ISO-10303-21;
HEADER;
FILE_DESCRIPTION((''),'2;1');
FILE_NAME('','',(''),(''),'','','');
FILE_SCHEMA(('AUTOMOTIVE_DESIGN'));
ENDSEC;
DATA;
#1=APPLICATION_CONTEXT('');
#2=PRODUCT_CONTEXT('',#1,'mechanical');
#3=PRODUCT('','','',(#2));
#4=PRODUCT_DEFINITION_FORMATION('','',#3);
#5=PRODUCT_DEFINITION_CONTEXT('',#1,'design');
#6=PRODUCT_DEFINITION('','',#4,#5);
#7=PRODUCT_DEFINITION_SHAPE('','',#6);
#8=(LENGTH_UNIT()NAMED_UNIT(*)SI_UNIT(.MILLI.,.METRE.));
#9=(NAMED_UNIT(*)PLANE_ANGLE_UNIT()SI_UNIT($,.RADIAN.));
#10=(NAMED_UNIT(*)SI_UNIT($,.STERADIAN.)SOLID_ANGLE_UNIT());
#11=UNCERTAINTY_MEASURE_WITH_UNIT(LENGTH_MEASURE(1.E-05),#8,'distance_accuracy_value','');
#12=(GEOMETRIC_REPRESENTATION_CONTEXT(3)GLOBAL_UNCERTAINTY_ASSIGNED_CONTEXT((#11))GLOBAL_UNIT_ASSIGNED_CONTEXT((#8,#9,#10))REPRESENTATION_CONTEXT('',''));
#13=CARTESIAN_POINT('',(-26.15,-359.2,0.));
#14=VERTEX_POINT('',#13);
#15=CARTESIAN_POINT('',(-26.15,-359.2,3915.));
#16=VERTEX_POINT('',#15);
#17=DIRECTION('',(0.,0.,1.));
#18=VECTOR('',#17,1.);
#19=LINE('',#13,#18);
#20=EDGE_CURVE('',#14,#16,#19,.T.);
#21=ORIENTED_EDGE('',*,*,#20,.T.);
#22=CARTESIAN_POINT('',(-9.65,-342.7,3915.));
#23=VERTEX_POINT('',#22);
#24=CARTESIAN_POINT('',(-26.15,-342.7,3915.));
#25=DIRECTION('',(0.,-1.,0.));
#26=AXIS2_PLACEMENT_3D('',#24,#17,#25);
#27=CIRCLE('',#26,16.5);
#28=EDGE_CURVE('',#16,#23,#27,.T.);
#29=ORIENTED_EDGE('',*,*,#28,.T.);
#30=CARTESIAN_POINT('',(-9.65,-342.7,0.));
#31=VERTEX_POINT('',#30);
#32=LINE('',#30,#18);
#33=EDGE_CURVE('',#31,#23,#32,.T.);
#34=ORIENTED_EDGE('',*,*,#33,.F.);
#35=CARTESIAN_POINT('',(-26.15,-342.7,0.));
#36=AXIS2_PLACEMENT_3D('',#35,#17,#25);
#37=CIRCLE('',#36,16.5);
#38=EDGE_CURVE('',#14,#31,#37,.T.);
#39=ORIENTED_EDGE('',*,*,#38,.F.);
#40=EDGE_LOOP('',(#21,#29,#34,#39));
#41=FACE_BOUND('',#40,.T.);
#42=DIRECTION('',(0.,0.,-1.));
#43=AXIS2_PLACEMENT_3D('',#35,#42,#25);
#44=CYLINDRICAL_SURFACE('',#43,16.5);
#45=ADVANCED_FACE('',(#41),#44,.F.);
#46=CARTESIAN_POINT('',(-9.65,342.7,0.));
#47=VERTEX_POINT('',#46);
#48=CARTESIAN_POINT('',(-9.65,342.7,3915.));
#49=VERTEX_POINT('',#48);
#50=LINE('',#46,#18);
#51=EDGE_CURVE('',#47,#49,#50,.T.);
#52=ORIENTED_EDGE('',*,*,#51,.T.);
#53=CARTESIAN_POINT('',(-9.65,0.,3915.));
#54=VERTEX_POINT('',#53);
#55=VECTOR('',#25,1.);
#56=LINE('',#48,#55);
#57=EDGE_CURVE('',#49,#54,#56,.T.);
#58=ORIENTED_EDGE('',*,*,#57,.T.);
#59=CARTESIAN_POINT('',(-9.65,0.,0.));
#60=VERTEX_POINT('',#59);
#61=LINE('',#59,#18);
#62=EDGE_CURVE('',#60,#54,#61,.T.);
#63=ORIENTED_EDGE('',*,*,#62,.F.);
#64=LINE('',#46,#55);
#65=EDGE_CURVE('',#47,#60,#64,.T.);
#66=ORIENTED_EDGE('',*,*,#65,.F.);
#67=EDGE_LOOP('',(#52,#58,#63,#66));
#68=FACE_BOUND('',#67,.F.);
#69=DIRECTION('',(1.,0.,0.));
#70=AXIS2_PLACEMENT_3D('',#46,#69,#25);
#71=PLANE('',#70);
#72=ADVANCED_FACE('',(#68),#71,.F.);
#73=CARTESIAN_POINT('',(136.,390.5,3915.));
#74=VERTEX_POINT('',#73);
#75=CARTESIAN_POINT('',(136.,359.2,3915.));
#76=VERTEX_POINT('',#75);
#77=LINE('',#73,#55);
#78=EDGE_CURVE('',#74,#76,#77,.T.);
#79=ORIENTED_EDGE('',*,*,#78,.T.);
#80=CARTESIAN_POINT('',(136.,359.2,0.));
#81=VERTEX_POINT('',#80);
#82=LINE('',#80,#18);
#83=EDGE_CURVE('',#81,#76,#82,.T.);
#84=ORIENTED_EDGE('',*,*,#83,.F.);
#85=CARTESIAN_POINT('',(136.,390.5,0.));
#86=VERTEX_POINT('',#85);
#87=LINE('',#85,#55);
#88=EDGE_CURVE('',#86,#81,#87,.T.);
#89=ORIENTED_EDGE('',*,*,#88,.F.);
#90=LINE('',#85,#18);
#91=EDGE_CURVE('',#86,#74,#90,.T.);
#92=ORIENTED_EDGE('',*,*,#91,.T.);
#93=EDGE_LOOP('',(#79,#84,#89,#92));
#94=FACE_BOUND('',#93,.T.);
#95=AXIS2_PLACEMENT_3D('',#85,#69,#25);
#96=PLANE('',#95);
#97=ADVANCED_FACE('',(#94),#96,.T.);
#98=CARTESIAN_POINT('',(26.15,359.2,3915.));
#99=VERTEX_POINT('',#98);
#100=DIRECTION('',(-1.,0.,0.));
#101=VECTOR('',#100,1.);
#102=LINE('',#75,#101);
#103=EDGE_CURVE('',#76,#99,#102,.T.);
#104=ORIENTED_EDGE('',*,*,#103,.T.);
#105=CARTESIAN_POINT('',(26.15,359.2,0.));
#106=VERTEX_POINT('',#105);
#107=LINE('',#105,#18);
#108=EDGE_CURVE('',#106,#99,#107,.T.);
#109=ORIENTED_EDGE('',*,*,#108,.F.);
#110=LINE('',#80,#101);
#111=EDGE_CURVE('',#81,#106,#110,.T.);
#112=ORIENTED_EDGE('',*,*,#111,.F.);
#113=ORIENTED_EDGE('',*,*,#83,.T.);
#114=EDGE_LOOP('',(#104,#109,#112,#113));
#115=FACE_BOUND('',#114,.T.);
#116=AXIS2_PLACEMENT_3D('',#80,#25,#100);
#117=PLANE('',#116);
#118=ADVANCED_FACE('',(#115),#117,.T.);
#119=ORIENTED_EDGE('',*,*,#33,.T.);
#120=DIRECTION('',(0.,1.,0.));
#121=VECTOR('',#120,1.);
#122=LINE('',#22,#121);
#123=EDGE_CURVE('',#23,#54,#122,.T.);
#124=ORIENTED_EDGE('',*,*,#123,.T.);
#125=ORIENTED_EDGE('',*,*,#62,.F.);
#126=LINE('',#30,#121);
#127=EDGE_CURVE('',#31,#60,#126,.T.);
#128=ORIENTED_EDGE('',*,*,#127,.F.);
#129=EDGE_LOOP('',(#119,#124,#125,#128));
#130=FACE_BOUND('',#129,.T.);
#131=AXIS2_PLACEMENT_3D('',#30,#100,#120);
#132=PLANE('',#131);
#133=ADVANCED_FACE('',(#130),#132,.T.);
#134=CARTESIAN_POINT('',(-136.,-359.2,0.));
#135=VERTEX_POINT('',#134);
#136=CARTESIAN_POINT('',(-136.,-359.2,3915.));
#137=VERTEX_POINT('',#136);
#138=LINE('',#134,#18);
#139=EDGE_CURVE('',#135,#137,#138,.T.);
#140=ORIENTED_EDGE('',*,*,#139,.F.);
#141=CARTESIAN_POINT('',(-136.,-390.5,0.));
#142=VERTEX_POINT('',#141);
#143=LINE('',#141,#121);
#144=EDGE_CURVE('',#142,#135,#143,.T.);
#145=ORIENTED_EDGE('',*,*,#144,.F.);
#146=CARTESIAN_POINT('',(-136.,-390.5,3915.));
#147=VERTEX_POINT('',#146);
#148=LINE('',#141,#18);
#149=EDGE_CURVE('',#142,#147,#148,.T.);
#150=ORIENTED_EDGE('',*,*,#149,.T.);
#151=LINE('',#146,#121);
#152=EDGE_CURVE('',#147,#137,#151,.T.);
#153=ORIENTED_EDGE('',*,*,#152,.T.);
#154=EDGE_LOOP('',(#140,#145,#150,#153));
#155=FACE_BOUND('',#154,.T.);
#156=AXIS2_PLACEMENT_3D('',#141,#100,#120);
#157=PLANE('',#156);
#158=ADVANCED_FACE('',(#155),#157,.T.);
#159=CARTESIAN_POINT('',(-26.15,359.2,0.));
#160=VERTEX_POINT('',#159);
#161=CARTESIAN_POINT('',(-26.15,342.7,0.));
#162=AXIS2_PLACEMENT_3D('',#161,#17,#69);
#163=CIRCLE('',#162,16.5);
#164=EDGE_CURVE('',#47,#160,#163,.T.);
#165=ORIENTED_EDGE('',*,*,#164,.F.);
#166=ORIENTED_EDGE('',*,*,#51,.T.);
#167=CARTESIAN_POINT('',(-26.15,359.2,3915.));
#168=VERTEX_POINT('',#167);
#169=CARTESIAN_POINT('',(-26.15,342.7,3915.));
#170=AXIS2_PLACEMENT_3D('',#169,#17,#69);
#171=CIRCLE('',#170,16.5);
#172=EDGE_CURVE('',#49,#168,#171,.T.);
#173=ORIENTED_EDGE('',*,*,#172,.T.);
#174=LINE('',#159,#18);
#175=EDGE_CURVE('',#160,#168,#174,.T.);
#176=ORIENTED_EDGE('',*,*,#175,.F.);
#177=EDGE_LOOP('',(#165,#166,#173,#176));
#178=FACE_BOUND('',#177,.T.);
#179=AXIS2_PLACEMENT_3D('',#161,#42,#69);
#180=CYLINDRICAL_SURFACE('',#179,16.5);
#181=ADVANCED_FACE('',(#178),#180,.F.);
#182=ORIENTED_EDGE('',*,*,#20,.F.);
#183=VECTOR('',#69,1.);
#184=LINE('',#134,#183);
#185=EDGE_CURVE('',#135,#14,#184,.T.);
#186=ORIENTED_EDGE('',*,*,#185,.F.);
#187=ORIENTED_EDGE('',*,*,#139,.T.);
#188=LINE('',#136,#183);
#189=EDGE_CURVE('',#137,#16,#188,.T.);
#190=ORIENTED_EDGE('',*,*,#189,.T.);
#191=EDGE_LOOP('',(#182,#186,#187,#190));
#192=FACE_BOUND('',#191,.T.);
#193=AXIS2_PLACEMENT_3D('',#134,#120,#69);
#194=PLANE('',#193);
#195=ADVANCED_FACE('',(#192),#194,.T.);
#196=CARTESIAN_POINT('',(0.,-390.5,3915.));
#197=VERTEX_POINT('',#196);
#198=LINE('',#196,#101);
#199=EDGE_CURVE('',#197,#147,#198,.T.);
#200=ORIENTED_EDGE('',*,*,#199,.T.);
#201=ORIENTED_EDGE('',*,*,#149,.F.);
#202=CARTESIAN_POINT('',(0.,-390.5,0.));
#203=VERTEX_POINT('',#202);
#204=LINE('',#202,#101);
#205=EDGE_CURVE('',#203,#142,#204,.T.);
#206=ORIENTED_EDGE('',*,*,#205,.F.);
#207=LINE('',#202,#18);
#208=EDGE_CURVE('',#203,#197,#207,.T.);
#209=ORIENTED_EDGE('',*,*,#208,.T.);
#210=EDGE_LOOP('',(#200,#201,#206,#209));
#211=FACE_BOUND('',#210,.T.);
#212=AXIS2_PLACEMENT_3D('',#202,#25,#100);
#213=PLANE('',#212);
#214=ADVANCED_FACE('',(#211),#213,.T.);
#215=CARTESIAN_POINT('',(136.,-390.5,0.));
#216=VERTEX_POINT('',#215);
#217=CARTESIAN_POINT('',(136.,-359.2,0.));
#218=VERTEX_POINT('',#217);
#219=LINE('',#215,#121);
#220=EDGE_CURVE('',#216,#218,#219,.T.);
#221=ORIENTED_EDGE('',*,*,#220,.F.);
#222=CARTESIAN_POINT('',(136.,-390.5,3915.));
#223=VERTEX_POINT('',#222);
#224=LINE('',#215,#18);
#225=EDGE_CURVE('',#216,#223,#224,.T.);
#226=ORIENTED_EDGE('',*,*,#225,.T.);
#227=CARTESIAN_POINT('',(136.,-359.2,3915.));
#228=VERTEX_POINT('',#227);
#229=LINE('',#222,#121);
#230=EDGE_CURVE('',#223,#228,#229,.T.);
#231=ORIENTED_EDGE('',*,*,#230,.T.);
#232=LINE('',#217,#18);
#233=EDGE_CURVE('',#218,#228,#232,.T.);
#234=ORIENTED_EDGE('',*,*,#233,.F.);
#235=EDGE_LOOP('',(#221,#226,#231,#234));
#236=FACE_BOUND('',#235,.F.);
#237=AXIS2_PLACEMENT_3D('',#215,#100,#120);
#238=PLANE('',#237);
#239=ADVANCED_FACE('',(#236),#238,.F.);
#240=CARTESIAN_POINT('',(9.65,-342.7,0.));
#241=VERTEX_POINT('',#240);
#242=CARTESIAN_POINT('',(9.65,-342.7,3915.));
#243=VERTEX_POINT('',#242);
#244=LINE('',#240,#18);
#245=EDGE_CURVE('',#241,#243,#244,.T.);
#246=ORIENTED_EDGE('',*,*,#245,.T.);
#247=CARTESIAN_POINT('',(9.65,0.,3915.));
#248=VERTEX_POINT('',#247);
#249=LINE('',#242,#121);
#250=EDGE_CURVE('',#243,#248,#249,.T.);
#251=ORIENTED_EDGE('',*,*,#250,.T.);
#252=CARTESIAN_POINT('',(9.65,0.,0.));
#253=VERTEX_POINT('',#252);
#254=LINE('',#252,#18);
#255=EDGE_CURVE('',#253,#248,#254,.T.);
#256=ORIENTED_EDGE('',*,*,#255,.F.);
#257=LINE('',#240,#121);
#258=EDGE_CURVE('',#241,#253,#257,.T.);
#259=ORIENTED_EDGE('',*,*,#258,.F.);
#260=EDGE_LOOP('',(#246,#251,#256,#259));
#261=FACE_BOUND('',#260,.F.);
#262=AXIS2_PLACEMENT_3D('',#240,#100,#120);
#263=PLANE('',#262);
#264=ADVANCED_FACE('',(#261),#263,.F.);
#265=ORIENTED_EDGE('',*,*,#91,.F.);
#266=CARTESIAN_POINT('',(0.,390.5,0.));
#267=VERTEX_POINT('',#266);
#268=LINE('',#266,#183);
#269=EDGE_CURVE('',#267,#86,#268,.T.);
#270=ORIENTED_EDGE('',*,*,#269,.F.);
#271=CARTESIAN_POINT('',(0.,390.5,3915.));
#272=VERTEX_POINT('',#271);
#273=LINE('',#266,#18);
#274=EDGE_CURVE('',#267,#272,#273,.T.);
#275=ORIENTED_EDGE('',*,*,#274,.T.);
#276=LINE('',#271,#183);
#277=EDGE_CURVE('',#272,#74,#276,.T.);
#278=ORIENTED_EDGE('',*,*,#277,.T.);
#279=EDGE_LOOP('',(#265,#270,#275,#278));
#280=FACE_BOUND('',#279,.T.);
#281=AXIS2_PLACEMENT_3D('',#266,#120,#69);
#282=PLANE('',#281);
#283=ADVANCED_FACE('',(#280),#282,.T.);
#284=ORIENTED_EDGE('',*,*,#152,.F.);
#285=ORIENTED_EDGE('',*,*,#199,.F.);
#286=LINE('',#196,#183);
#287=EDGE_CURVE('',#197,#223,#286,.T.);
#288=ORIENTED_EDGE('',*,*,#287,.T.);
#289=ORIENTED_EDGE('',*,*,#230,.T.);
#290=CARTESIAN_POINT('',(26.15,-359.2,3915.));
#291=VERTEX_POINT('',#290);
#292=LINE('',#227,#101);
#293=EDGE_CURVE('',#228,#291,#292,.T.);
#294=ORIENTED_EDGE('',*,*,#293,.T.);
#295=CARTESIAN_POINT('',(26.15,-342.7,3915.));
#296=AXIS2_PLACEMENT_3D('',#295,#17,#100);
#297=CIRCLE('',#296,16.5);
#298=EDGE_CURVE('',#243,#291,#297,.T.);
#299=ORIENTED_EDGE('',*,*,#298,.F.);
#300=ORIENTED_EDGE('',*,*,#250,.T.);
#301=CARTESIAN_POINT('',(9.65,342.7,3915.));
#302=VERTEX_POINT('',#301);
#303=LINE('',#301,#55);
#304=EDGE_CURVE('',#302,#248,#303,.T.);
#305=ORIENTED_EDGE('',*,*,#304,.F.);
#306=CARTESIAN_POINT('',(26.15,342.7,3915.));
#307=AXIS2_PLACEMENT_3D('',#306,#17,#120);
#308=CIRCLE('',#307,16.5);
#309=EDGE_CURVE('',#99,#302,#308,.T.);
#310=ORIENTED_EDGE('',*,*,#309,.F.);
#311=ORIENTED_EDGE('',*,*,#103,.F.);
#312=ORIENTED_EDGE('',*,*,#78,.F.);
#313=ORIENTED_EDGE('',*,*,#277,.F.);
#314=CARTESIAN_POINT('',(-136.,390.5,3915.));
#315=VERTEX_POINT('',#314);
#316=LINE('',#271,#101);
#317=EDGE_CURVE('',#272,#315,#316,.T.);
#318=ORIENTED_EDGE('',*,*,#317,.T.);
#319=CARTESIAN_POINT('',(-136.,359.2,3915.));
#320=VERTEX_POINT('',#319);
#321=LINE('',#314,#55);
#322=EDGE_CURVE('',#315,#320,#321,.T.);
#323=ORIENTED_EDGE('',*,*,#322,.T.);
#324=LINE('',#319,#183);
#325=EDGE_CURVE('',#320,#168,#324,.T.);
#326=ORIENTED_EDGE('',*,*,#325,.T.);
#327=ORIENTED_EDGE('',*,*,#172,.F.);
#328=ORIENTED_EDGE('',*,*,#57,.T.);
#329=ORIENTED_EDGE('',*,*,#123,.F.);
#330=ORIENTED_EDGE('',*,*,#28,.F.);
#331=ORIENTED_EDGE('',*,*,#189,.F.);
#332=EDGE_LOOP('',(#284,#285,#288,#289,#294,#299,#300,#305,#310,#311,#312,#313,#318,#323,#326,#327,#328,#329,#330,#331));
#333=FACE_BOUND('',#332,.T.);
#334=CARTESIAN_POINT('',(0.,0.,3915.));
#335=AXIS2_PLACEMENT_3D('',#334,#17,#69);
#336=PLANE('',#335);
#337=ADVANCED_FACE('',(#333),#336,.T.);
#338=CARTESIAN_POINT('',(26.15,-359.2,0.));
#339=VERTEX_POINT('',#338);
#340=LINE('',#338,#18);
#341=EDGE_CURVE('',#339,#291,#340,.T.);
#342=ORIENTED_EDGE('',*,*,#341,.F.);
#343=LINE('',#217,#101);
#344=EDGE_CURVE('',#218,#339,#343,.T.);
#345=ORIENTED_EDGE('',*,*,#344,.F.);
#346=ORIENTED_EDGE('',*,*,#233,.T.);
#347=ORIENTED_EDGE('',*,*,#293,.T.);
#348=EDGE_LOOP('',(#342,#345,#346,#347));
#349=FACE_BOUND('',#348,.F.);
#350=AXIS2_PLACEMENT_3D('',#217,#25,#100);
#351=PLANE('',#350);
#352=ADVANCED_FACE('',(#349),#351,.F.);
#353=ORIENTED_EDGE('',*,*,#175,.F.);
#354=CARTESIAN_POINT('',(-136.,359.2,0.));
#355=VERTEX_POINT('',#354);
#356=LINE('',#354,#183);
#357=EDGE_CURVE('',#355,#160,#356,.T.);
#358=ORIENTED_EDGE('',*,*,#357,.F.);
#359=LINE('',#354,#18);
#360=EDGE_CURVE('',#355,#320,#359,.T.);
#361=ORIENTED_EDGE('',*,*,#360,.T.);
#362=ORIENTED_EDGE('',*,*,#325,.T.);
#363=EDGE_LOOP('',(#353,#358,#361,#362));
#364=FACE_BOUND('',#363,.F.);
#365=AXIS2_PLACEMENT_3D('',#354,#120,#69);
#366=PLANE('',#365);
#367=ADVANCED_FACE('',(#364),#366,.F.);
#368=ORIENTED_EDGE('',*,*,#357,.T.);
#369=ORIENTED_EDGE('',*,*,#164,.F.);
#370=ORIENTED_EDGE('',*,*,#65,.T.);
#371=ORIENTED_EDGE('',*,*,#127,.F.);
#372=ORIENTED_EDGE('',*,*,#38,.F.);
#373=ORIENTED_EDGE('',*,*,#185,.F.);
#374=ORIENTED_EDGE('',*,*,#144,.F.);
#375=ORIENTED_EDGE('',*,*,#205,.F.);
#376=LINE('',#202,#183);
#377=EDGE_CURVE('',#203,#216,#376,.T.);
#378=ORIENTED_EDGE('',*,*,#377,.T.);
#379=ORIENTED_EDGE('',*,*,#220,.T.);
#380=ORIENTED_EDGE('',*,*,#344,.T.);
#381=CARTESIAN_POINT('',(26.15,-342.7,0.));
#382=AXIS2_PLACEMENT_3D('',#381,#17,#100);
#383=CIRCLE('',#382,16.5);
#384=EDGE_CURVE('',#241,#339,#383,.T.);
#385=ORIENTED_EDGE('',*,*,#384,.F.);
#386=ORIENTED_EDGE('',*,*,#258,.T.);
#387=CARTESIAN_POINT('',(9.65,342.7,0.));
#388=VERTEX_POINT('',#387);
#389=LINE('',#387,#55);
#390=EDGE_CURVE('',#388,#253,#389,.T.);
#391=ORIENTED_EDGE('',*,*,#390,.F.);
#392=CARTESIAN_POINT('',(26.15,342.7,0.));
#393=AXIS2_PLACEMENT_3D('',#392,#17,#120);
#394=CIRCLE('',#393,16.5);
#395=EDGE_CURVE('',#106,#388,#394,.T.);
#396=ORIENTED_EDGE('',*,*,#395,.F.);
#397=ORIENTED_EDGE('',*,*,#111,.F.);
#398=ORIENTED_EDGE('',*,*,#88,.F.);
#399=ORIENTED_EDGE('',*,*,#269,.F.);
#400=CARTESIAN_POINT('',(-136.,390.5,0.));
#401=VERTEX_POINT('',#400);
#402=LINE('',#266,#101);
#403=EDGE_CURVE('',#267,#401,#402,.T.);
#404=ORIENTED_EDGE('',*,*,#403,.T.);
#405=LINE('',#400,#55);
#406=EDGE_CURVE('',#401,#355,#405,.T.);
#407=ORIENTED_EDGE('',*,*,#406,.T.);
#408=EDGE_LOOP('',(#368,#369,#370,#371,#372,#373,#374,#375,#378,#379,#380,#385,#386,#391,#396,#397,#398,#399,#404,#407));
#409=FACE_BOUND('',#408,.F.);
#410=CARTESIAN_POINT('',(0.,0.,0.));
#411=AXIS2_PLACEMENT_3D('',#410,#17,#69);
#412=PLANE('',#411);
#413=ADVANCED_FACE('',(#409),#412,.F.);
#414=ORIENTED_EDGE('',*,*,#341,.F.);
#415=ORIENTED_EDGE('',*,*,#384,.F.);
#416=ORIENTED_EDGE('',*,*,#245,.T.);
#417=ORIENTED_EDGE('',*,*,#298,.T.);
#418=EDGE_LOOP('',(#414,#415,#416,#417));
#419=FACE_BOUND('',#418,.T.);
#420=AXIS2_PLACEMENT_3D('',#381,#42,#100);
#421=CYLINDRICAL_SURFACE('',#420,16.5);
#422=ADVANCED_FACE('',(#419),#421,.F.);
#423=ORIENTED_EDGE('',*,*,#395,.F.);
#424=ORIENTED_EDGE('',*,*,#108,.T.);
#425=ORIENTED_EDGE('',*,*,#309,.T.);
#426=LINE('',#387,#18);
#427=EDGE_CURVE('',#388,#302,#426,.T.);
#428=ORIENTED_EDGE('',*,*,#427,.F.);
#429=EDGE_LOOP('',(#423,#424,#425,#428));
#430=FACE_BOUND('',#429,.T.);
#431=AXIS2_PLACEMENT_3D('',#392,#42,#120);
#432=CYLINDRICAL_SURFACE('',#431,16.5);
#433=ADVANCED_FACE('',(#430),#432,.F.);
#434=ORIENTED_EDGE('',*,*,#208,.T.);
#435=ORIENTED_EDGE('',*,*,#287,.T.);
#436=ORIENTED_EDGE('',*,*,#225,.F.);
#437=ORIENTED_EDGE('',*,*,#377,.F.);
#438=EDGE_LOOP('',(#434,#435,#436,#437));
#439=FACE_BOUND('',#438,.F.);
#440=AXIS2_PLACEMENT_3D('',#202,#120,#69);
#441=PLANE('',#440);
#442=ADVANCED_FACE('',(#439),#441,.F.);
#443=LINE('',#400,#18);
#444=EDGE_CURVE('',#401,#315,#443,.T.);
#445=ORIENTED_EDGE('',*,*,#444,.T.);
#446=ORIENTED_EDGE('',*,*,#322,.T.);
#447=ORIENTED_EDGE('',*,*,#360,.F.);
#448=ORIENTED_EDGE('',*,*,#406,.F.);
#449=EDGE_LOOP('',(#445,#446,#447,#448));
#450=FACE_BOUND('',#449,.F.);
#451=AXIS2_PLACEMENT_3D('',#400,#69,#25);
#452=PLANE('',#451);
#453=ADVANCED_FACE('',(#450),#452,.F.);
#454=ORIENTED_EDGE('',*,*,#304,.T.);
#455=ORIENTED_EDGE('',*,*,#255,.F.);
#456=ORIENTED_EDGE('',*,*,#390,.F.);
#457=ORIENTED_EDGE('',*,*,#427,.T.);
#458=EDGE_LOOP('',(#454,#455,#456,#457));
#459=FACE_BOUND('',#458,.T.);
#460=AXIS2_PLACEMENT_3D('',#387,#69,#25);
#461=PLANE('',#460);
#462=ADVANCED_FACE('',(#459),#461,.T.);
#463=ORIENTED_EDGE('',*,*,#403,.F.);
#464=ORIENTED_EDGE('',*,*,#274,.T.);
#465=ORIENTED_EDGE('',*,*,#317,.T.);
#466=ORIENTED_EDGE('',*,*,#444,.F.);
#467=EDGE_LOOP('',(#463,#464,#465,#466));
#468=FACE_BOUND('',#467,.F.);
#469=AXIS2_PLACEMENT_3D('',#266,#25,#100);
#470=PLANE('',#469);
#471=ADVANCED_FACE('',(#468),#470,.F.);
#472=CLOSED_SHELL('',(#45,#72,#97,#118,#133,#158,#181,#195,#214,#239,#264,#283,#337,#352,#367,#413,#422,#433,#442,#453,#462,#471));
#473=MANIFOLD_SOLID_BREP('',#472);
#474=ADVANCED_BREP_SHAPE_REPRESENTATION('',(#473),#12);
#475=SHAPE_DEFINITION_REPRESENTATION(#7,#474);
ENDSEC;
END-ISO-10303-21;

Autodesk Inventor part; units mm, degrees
ref_plane "YZ Plane" through (0, 0, 0) normal (1, 0, 0) x (0, 1, 0)
ref_plane "Start plane" through (0, 0, 0) normal (0, 0, 1) x (1, 0, 0)
ref_plane "End plane" through (0, 0, 3915) normal (0, 0, 1) x (1, 0, 0)
sketch "Sketch" plane through (0, 0, 0) normal (0, 0, 1) x (1, 0, 0)
  line L0 (-136, -390.5) -> (-136, -359.2)
  line L1 (-136, -359.2) -> (-26.15, -359.2)
  line L2 (-9.65, -342.7) -> (-9.65, 0)
  line L3 (-9.65, 0) -> (0, 0) construction
  line L4 (0, 0) -> (0, -390.5) construction
  line L5 (0, -390.5) -> (-136, -390.5)
  line L6 (-60, 0) -> (80, 0) construction
  line L7 (0, -60) -> (0, 80) construction
  line L8 (136, -390.5) -> (136, -359.2)
  line L9 (136, -359.2) -> (26.15, -359.2)
  line L10 (9.65, -342.7) -> (9.65, 0)
  line L11 (9.65, 0) -> (0, 0) construction
  line L12 (0, -390.5) -> (136, -390.5)
  line L13 (-136, 390.5) -> (-136, 359.2)
  line L14 (-136, 359.2) -> (-26.15, 359.2)
  line L15 (-9.65, 342.7) -> (-9.65, 0)
  line L16 (0, 390.5) -> (-136, 390.5)
  line L17 (136, 390.5) -> (136, 359.2)
  line L18 (136, 359.2) -> (26.15, 359.2)
  line L19 (0, 390.5) -> (136, 390.5)
  line L20 (9.65, 342.7) -> (9.65, 0)
  arc A0 (-9.65, 342.7) -> (-26.15, 359.2) centre (-26.15, 342.7) ccw
  arc A1 (26.15, 359.2) -> (9.65, 342.7) centre (26.15, 342.7) ccw
  arc A2 (9.65, -342.7) -> (26.15, -359.2) centre (26.15, -342.7) ccw
  arc A3 (-26.15, -359.2) -> (-9.65, -342.7) centre (-26.15, -342.7) ccw
  line L21 (0, 108) -> (0, -88) construction
  line L22 (-88, 0) -> (108, 0) construction
  point P0 (-9.65, -359.2)
  point P1 (9.65, -359.2)
  point P2 (-9.65, 359.2)
  point P3 (9.65, 359.2)
  dimension "d1" = 390.5
  dimension "d2" = 31.3
  dimension "d3" = 136
  dimension "d4" = 9.65
  dimension "d10" = 16.5
extrude "Body" add sketch "Sketch" along normal up to surface (3915 mm away) from surface at 0
sketch "Sketch4" plane through (0, 0, 0) normal (0, 0, 1) x (1, 0, 0)
  line L0 (0, 0) -> (10, 0)
ref_plane "Work Plane3" through (0, 0, 0) normal (0, -1, 0) x (1, 0, 0)
sketch "Sketch5" plane through (0, 0, 0) normal (0, -1, 0) x (1, 0, 0)
  line L0 (-2, 0) -> (12, 0) projected
  line L1 (-2, 3915) -> (12, 3915) projected
  dimension "d14" = 3915
equation "\"d1\" = 0.5 * G_H"
equation "\"d2\" = G_T1"
equation "\"d3\" = 0.5 * G_W"
equation "\"d4\" = 0.5 * G_T"
equation "\"d10\" = G_IR"
equation "\"d5\" = G_L"
equation "\"G_W\" = 272"
equation "\"G_H\" = 781"
equation "\"G_T\" = 19.3"
equation "\"G_T1\" = 31.3"
equation "\"G_IR\" = 16.5"
equation "\"G_L\" = d14"
equation "\"G_OFFSET_START\" = 0"
equation "\"G_OFFSET_END\" = 0"
equation "\"d12\" = G_OFFSET_END + B_L"
equation "\"B_L\" = 3915"
properties part number "AS 3679-1990 - 760 UB - 244 - 3915" material "Steel, Mild"
